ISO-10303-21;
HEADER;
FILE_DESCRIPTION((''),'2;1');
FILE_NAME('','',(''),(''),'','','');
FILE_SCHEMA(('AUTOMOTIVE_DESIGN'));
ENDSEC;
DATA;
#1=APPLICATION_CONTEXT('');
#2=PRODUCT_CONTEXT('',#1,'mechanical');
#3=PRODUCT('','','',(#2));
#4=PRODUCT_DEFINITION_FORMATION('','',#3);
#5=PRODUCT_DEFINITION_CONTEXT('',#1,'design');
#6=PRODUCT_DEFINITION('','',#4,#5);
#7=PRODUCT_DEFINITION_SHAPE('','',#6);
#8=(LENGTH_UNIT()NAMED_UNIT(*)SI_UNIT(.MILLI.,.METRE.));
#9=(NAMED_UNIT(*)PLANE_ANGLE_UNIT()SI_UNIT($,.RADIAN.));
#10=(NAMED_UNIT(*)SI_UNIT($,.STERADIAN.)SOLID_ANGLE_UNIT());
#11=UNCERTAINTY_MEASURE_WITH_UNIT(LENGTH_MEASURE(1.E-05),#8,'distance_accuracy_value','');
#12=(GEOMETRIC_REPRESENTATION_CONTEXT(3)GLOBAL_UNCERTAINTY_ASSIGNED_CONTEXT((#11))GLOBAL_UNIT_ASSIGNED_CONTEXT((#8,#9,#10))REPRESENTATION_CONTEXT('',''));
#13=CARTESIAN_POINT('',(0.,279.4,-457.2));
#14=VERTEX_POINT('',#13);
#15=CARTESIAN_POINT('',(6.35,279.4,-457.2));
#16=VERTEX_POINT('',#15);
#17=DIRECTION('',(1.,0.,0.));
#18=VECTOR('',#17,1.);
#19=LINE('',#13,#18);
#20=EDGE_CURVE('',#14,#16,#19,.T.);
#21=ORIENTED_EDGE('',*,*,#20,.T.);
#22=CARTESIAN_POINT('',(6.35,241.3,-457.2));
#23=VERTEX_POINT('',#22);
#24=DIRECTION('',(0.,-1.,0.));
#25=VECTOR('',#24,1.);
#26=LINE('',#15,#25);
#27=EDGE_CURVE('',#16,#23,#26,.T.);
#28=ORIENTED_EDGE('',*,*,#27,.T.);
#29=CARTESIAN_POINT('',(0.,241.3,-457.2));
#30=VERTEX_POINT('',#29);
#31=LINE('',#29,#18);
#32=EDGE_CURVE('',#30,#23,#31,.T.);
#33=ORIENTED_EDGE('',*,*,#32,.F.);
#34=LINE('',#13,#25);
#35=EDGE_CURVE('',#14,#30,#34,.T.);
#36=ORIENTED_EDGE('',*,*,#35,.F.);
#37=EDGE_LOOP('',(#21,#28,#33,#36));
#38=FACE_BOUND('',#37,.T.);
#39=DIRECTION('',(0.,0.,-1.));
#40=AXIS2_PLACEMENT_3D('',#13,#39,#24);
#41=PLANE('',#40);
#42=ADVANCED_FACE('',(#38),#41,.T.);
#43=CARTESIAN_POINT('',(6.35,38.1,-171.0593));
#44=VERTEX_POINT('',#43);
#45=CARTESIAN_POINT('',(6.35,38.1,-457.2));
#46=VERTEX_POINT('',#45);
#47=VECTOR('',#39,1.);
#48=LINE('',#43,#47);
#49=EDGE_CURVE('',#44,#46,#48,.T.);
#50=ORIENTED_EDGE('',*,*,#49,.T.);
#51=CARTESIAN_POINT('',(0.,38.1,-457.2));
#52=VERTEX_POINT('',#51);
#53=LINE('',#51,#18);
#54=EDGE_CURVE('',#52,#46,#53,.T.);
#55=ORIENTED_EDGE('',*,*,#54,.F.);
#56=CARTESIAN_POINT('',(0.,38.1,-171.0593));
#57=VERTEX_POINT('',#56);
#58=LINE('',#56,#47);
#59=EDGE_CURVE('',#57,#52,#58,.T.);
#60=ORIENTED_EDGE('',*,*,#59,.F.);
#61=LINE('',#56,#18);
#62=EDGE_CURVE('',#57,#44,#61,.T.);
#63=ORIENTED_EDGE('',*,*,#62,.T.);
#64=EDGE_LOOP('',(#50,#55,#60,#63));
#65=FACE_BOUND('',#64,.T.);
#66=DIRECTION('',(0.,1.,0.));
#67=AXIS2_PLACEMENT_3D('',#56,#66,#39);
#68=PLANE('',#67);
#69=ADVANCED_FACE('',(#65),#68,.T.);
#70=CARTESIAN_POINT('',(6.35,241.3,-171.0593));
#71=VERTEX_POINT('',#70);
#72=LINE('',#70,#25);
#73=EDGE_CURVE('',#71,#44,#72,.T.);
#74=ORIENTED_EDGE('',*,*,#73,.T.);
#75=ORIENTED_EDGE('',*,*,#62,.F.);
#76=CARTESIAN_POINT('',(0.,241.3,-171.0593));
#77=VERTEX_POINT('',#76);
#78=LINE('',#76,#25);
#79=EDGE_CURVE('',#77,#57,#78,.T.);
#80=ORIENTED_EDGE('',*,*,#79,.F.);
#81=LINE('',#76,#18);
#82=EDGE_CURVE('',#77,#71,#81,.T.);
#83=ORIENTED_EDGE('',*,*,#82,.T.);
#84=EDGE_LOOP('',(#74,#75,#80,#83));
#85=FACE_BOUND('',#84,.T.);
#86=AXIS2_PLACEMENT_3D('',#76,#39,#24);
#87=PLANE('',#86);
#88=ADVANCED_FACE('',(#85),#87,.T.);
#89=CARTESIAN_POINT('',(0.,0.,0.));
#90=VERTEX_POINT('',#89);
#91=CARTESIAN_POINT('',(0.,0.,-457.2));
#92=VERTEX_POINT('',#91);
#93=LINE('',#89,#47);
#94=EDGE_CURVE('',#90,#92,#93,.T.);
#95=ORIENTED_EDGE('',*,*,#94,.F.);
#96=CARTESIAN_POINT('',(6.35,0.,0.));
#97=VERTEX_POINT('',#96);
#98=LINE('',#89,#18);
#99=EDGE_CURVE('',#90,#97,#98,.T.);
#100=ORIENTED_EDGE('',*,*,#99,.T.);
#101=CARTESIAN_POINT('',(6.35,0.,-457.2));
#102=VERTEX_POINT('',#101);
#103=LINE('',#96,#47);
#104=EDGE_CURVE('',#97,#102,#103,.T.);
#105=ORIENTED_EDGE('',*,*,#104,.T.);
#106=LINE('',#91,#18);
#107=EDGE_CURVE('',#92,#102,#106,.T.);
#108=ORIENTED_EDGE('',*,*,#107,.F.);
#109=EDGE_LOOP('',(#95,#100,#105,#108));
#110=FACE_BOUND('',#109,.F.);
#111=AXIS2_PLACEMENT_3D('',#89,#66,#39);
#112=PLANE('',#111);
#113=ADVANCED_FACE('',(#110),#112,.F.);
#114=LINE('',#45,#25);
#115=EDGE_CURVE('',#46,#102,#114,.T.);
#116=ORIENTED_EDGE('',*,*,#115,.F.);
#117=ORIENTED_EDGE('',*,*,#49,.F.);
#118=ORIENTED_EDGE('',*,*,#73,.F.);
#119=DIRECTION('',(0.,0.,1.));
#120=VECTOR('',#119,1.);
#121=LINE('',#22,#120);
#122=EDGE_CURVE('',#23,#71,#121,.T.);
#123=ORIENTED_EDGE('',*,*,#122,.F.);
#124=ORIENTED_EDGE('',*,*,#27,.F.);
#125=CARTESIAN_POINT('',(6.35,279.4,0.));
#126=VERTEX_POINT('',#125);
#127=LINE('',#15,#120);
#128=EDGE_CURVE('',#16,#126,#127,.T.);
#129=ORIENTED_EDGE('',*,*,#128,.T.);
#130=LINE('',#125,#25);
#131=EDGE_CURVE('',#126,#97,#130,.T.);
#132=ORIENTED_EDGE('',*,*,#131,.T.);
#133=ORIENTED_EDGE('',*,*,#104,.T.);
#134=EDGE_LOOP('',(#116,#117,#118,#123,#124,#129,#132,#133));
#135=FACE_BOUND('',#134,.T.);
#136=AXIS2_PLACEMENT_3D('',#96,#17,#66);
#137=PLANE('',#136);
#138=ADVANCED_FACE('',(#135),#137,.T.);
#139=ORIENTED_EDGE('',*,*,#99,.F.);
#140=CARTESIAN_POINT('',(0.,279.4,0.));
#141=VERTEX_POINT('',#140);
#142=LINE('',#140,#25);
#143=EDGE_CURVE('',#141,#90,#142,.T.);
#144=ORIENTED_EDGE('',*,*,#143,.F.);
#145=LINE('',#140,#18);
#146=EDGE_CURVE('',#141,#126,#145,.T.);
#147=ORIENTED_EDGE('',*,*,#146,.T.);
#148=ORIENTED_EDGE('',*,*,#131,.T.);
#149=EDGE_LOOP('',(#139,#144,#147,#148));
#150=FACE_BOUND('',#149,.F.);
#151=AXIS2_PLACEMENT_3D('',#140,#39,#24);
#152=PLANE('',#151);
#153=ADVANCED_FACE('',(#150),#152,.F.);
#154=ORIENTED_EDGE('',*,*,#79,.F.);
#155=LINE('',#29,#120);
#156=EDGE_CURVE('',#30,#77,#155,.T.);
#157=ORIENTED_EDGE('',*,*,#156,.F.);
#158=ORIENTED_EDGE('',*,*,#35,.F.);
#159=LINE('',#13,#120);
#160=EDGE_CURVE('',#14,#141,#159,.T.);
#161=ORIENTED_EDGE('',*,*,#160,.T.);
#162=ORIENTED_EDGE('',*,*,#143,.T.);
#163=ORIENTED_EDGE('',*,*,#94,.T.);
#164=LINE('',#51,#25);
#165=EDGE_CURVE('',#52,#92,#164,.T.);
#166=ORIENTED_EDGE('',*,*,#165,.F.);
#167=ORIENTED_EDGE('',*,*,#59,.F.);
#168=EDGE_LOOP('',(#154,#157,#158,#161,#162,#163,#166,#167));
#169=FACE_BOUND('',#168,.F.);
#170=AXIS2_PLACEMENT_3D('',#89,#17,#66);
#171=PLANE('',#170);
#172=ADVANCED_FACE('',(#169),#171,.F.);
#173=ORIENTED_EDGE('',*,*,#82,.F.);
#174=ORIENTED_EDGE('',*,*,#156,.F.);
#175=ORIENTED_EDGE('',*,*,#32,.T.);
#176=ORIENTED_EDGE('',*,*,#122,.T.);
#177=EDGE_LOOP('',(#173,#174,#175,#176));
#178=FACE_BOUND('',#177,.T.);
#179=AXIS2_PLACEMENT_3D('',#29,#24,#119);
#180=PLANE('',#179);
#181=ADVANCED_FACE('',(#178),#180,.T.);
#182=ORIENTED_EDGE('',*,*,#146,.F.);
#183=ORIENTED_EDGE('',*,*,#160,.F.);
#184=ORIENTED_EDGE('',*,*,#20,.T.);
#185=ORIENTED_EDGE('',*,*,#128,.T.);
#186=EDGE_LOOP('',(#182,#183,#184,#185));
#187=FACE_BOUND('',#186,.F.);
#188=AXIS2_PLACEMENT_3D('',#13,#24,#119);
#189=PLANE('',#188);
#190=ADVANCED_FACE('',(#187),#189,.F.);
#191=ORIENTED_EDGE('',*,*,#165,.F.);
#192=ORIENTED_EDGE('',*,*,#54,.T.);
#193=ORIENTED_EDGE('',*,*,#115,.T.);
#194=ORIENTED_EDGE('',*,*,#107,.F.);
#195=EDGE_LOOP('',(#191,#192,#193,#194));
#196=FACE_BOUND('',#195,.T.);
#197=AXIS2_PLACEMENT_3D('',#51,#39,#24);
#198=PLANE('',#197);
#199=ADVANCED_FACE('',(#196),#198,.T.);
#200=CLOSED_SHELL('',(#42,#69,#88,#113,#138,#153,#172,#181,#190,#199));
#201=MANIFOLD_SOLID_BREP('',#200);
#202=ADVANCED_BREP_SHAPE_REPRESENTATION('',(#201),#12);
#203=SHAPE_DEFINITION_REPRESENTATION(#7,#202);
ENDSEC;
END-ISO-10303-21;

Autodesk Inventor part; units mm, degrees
ref_plane "YZ Plane" through (0, 0, 0) normal (1, 0, 0) x (0, 1, 0)
ref_plane "XZ Plane" through (0, 0, 0) normal (0, 1, 0) x (-1, 0, 0)
ref_plane "XY Plane" through (0, 0, 0) normal (0, 0, 1) x (1, 0, 0)
sketch "Sketch1" plane through (0, 0, 0) normal (1, 0, 0) x (0, 1, 0)
  line L0 (0, 0) -> (0, -457.2)
  line L1 (279.4, -457.2) -> (279.4, 0)
  line L2 (279.4, 0) -> (0, 0)
  line L3 (279.4, -457.2) -> (241.3, -457.2)
  line L4 (241.3, -457.2) -> (241.3, -171.0593)
  line L5 (241.3, -171.0593) -> (38.1, -171.0593)
  line L6 (38.1, -171.0593) -> (38.1, -457.2)
  line L7 (38.1, -457.2) -> (0, -457.2)
  dimension "d0" = 457.2
  dimension "d1" = 279.4
  dimension "d4" = 90
  dimension "d5" = 90
  dimension "dist1435" = 38.1
  dimension "d7" = 38.1
extrude "Extrusion1" add sketch "Sketch1" along normal blind 6.35
equation "\"d7\" = dist1435"
properties part number "Inner side wall" material "Glass"
